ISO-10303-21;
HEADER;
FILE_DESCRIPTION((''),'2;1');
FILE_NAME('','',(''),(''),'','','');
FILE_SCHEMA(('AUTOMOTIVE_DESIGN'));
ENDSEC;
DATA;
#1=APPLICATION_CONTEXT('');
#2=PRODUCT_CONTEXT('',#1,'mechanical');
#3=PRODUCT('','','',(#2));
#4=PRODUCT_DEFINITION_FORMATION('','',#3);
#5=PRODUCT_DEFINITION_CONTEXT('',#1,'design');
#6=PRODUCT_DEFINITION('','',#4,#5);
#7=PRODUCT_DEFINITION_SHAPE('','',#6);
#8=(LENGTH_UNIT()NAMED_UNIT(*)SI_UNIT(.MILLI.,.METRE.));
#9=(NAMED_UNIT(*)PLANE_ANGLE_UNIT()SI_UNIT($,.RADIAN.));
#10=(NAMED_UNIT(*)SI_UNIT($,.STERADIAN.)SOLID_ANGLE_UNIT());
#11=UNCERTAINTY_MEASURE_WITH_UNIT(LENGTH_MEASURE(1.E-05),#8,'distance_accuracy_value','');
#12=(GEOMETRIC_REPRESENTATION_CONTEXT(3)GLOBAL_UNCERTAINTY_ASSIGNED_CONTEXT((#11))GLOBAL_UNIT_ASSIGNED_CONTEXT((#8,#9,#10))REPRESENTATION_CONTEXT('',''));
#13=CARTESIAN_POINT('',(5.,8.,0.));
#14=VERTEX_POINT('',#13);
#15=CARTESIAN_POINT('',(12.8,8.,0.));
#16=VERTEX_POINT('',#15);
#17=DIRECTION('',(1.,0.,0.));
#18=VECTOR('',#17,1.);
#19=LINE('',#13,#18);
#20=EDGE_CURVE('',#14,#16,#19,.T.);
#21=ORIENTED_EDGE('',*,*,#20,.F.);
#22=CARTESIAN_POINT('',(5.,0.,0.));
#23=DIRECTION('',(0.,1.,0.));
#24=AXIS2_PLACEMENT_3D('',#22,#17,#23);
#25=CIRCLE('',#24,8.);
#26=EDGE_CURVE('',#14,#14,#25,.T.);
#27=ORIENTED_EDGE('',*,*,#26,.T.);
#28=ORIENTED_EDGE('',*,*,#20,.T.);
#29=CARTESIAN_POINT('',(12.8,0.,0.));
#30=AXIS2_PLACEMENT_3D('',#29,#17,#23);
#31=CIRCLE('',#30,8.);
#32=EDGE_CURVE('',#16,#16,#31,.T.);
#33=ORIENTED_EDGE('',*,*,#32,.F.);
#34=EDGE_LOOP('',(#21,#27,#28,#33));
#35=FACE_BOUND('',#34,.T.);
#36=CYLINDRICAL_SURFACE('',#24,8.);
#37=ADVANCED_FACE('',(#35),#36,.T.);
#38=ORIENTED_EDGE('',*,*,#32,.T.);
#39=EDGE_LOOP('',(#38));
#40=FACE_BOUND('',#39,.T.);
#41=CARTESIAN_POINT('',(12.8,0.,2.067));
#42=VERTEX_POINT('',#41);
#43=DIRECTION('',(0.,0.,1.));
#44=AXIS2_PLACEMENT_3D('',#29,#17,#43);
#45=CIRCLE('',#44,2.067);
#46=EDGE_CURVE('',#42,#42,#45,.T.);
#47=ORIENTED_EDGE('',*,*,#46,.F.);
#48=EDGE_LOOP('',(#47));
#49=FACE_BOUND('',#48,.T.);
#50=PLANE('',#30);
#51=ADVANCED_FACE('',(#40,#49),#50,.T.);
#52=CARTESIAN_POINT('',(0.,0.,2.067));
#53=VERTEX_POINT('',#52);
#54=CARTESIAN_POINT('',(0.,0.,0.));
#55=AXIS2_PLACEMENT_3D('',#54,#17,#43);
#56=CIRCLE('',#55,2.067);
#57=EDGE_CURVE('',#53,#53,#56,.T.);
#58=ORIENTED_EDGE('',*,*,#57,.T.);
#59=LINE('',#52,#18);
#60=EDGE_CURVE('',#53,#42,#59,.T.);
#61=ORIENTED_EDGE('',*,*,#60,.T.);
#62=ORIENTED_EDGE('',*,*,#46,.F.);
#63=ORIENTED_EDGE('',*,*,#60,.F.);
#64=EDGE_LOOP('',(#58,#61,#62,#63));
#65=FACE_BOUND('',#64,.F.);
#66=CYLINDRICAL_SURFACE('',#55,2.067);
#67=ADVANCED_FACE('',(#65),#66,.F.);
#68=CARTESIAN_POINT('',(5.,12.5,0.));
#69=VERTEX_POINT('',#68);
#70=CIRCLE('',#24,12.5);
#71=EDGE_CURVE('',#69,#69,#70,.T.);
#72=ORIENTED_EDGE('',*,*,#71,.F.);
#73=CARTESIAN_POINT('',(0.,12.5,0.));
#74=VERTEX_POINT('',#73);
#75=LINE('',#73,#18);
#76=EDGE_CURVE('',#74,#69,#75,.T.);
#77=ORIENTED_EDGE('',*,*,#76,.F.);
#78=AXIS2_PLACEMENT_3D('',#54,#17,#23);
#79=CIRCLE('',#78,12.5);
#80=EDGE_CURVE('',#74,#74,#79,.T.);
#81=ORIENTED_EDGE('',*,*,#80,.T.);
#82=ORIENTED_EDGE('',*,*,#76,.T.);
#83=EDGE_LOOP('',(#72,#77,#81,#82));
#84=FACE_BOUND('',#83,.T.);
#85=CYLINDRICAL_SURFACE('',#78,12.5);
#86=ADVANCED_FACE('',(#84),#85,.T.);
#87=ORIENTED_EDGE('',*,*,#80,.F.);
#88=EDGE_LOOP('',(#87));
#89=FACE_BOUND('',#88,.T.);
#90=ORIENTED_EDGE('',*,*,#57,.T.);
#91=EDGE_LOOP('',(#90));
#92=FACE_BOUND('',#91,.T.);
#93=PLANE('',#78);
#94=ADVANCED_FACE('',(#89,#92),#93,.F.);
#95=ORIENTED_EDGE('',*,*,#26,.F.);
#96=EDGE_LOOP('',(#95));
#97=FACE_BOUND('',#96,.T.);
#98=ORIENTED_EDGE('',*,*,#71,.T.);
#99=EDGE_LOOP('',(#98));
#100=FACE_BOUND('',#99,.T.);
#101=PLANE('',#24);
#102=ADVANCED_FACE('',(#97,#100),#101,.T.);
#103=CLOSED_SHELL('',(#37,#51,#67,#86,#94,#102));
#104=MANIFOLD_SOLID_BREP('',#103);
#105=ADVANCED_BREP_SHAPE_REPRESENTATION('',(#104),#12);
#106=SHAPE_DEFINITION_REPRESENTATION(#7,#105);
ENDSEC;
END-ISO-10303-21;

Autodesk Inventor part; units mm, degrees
ref_plane "YZ Plane" through (0, 0, 0) normal (1, 0, 0) x (0, 1, 0)
ref_plane "XZ Plane" through (0, 0, 0) normal (0, 1, 0) x (-1, 0, 0)
ref_plane "XY Plane" through (0, 0, 0) normal (0, 0, 1) x (1, 0, 0)
sketch "Skizze1" plane through (0, 0, 0) normal (0, 0, 1) x (1, 0, 0)
  line L0 (0, 0) -> (0, 12.5)
  line L1 (0, 12.5) -> (5, 12.5)
  line L2 (5, 12.5) -> (5, 8)
  line L3 (5, 8) -> (12.8, 8)
  line L4 (0, 0) -> (12.8, 0)
  line L5 (12.8, 8) -> (12.8, 0)
  dimension "d0" = 16
  dimension "d1" = 25
  dimension "d3" = 5
  dimension "d13" = 7.8
revolve "Umdrehung1" add sketch "Skizze1" angle 360 about axis through (0, 0, 0) along (1, 0, 0)
sketch "Skizze2" plane through (0, 0, 0) normal (-1, 0, 0) x (0, 0, 1)
  point P0 (0, 0)
  point P1 (0, 0)
hole "Bohrung1" at (0, 0, 0) direction (1, 0, 0) diameter 4.134 end through all thread size "M5x0.8" class "6H" standard "ISO Metric profile"
feature "Verdickung1" [suppressed]
properties part number "SpringCompensation_Outside_SupportPart"
